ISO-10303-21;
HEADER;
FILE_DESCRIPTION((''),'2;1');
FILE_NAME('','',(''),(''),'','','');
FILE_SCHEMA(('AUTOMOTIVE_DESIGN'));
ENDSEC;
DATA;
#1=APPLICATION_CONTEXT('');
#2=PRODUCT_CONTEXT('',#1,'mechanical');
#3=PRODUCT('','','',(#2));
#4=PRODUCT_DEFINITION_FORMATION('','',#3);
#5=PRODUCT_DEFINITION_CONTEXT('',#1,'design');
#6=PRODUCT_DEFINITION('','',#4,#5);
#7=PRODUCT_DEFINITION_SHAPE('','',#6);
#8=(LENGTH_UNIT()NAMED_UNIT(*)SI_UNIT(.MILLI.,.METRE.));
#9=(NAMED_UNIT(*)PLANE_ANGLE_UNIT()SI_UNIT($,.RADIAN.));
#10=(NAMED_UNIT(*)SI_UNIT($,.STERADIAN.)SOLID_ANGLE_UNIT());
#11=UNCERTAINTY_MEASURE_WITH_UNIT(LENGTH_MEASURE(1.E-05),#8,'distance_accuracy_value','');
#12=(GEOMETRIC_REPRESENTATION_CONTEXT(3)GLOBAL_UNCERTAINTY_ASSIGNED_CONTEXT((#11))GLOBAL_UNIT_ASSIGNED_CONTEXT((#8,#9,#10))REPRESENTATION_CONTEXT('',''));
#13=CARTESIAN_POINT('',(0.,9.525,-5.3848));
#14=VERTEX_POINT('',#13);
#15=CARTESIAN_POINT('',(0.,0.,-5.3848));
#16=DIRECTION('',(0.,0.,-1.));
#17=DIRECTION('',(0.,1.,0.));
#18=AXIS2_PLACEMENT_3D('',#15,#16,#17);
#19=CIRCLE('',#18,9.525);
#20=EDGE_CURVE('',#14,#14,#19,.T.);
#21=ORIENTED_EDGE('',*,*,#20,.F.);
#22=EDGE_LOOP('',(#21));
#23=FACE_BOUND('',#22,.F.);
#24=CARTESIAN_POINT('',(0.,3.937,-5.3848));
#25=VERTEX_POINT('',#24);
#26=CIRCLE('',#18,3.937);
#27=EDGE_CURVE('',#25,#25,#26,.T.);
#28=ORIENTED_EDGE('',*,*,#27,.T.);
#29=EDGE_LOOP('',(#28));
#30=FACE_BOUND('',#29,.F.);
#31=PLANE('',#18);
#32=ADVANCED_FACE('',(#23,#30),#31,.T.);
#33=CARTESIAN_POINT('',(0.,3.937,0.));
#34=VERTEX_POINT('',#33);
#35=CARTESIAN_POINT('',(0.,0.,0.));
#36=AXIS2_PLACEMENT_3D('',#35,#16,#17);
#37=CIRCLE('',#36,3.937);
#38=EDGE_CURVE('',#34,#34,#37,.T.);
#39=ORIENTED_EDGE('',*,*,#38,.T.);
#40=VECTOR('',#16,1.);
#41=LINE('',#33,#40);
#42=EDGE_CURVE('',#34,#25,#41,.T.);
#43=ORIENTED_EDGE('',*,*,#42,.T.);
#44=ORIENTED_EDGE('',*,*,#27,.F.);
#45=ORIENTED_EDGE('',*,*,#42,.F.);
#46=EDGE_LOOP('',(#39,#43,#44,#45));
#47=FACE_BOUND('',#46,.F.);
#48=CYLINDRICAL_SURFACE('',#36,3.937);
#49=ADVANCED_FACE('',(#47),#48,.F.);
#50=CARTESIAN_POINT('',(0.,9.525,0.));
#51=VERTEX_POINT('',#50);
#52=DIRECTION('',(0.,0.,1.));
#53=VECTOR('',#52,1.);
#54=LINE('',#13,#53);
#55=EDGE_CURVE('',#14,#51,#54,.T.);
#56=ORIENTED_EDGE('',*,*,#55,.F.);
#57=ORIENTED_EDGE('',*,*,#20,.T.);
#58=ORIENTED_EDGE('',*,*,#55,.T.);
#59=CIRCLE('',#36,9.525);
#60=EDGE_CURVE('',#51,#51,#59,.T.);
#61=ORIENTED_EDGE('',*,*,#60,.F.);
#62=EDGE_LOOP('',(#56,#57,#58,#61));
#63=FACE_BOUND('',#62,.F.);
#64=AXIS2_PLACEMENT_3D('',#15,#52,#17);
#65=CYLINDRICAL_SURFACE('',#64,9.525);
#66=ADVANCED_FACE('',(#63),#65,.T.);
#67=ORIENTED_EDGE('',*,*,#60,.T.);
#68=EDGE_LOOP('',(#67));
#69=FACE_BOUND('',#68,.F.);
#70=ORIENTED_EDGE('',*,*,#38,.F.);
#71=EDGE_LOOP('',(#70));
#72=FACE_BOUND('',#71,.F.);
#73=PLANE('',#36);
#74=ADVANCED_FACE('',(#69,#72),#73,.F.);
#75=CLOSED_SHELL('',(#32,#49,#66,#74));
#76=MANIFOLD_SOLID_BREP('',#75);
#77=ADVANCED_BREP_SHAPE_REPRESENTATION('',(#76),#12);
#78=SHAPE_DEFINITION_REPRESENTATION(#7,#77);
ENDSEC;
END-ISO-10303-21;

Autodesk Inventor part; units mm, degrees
sketch "Sketch_1" plane through (0, 0, 0) normal (1, 0, 0) x (0, 1, 0)
  line L0 (0, -5.3848) -> (0, 0)
  line L1 (3.937, 0) -> (3.937, -5.3848)
  line L2 (3.937, -5.3848) -> (9.525, -5.3848)
  line L3 (9.525, -5.3848) -> (9.525, 0)
  line L4 (9.525, 0) -> (3.937, 0)
revolve "Revolution1" add sketch "Sketch_1" angle 360 about axis through (0, 0, -5.3848) along (0, 0, -1)
ref_plane "part_to_rod_XY" through (0, 0, 0) normal (0, 0, 1) x (1, 0, 0)
ref_plane "part_to_rod_YZ" through (0, 0, 0) normal (1, 0, 0) x (0, 1, 0)
ref_plane "part_to_rod_ZX" through (0, 0, 0) normal (0, 1, 0) x (0, 0, 1)
properties part number "0.750.212-rod_part0"
